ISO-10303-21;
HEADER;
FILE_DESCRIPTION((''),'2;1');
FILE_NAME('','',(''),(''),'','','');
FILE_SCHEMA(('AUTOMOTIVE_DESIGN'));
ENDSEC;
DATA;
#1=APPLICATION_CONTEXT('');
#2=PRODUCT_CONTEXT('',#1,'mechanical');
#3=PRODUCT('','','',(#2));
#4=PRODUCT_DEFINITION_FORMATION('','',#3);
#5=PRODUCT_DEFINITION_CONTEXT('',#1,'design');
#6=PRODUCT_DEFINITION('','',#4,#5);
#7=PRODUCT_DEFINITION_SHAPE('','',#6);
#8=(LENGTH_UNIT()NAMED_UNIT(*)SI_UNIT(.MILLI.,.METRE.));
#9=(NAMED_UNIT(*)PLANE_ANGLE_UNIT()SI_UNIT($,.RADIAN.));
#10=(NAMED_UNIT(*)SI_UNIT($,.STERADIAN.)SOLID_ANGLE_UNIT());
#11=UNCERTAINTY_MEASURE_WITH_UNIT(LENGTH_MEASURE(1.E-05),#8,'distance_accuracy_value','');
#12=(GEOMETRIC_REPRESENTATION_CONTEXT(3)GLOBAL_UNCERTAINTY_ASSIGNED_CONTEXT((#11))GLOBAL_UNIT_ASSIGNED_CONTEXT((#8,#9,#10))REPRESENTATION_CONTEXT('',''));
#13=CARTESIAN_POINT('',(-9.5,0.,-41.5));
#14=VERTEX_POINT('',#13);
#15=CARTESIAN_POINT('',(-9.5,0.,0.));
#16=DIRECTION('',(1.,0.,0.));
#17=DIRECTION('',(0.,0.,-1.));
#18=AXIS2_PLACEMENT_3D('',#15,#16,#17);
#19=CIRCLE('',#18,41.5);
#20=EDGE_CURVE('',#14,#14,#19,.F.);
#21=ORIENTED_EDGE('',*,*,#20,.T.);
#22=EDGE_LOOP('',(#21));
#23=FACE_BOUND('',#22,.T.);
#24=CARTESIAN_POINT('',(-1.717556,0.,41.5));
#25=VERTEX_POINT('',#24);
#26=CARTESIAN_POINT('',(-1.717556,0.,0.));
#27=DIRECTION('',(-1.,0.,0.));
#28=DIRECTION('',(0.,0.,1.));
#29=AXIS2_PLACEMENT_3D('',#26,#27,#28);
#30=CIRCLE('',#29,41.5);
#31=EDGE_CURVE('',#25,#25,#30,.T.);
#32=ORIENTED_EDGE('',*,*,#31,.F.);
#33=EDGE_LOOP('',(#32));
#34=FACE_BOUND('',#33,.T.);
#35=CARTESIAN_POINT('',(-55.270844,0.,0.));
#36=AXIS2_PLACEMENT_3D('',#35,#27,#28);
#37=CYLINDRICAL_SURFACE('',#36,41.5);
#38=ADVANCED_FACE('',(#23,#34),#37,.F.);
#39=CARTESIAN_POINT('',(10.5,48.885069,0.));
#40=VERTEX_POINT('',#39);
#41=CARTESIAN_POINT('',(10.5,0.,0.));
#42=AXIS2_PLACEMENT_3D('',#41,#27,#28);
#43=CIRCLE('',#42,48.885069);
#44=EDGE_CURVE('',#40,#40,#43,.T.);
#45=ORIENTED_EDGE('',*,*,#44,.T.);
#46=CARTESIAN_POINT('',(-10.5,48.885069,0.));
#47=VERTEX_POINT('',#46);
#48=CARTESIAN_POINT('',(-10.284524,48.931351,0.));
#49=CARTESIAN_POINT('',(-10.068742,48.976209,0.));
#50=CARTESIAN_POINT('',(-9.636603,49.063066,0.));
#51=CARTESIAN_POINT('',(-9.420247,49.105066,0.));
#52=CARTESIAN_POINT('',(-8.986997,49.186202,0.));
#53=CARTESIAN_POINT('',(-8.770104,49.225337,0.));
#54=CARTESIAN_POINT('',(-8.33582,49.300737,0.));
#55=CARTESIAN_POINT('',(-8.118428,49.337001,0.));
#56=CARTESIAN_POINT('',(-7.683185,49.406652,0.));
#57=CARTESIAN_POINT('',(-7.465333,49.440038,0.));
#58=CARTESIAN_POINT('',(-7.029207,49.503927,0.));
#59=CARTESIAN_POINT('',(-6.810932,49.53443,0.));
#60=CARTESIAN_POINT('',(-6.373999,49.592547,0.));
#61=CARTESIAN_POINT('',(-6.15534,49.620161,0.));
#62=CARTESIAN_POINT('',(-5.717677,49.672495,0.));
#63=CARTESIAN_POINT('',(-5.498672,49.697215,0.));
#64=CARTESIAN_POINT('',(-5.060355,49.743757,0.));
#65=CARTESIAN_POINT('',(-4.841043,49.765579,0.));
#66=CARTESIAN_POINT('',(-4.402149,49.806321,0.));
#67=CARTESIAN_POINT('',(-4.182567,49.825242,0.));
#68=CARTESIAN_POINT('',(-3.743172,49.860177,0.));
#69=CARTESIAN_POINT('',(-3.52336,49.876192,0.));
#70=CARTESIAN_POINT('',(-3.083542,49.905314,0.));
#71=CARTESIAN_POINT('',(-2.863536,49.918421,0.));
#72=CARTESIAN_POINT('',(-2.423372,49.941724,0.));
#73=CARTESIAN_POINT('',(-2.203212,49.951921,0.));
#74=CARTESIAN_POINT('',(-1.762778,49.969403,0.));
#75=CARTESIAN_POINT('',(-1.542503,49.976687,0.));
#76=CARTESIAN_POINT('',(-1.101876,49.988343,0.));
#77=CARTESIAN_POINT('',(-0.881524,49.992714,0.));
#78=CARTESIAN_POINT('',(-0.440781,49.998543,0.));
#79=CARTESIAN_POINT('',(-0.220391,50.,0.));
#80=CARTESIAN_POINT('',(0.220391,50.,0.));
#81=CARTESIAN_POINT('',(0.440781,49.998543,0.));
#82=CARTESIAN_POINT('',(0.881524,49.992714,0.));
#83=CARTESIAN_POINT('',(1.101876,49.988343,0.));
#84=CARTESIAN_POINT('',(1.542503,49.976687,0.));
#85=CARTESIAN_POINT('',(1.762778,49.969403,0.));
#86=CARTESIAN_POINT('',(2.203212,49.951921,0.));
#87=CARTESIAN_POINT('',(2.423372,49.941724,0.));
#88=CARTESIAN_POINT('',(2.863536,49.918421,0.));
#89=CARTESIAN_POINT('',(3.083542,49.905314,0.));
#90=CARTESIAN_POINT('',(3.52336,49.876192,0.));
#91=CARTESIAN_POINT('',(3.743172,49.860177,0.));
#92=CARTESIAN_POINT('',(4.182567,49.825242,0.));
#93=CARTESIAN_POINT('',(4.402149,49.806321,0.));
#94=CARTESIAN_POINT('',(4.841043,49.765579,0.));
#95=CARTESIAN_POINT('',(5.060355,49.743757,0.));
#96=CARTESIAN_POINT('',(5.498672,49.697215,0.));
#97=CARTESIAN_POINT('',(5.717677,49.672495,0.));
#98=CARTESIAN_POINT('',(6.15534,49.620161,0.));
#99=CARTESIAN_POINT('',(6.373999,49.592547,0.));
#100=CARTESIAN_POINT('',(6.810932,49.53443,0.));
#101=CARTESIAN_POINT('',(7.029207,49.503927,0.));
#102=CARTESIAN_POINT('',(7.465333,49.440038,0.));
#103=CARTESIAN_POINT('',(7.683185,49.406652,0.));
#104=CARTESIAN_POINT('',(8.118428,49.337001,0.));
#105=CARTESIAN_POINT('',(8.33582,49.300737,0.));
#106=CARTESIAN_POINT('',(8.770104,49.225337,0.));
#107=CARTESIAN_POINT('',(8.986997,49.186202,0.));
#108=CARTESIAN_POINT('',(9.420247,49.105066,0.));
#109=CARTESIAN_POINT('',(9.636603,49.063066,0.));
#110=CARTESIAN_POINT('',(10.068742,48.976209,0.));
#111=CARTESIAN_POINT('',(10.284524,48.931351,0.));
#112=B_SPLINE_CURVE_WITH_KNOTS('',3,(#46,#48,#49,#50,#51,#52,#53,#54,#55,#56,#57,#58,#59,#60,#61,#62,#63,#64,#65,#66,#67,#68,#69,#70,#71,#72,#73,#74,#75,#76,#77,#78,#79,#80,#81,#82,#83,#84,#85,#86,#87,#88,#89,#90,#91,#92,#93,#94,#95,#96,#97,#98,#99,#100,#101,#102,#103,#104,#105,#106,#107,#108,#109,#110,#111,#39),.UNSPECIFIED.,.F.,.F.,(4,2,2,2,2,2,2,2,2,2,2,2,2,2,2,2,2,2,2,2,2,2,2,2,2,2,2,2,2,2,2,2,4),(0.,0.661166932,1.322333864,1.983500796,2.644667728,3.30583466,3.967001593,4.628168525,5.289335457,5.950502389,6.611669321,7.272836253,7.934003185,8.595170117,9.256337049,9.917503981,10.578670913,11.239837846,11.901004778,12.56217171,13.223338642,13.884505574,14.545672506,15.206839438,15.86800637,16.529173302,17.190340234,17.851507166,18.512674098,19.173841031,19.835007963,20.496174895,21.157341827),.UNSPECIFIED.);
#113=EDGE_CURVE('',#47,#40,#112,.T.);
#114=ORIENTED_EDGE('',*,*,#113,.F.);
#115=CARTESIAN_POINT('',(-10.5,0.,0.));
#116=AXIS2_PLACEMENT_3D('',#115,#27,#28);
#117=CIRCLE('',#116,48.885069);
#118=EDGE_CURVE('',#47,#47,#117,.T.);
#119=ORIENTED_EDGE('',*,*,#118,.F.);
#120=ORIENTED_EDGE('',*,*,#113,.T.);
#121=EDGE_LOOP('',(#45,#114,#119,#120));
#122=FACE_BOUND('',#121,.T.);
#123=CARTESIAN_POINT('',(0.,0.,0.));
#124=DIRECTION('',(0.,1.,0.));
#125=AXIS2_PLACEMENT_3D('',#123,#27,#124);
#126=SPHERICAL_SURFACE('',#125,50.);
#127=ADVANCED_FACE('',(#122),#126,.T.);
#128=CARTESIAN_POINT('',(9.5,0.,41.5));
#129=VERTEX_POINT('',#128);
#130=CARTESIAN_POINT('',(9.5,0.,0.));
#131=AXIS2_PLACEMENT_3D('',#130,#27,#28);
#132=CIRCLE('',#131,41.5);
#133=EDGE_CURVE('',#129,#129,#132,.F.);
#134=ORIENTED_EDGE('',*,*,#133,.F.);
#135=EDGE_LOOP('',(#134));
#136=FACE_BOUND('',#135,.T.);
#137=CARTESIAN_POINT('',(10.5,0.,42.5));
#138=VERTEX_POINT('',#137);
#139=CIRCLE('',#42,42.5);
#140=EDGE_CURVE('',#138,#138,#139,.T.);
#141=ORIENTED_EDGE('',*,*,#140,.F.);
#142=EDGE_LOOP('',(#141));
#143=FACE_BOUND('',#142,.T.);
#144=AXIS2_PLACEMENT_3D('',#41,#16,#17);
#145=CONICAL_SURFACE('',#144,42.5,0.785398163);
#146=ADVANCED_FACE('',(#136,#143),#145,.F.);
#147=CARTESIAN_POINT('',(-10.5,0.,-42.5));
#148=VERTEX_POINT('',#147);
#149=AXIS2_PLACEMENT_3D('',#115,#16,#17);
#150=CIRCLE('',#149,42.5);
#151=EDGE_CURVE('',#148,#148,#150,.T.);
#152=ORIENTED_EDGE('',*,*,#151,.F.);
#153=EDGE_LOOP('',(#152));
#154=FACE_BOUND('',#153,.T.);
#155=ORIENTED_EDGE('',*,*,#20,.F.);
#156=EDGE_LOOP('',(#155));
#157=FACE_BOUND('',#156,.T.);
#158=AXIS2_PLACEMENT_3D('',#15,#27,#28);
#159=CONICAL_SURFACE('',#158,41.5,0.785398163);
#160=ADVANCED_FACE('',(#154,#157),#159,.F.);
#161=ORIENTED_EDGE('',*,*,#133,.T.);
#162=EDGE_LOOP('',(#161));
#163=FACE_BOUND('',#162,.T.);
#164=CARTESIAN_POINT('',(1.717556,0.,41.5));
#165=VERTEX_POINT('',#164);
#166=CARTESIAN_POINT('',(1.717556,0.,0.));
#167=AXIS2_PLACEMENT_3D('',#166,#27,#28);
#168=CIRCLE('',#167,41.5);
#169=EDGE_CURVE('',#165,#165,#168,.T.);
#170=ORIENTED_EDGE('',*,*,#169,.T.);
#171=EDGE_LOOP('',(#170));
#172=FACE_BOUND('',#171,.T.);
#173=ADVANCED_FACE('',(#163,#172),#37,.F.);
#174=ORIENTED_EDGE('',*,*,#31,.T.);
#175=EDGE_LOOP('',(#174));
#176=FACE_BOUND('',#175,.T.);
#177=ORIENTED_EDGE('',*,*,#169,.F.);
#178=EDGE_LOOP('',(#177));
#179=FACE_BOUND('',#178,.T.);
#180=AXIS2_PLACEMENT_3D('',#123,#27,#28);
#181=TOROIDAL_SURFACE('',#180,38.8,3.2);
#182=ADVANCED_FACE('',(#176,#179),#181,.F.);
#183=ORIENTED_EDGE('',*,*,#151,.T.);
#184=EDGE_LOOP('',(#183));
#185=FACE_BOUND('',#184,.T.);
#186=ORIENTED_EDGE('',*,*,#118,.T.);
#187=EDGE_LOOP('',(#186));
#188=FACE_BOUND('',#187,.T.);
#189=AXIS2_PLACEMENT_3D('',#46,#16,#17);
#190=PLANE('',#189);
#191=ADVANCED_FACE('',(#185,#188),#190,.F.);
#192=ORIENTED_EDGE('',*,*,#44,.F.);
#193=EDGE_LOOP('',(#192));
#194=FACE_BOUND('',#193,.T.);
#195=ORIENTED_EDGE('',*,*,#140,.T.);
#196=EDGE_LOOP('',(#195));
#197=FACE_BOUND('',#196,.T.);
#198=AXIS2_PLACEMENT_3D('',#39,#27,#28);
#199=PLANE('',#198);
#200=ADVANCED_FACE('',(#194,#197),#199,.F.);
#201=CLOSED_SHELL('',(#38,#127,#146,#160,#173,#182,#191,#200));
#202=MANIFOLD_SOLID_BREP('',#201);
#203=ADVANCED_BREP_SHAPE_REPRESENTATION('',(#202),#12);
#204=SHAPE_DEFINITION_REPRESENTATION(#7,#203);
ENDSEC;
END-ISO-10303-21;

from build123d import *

# Parameters (mm, degrees)
CHAMFER_1_SIZE = 1


with BuildPart() as part:
    # 草图1 → 旋转1 (revolve)
    with BuildSketch(Plane.XY, mode=Mode.PRIVATE) as revolve_1_sk:
        with BuildLine():
            Line((-10.5, 41.5), (-1.717556404, 41.5))
            ThreePointArc((-1.717556404, 41.5), (0, 42), (1.717556404, 41.5))
            Line((1.717556404, 41.5), (10.5, 41.5))
            Line((10.5, 41.5), (10.5, 48.885069295))
            ThreePointArc((10.5, 48.885069295), (0, 50), (-10.5, 48.885069295))
            Line((-10.5, 48.885069295), (-10.5, 41.5))
        make_face()
    revolve(revolve_1_sk.sketch.rotate(Axis((-55.270843916, 0, 0), (1, 0, 0)), 90), axis=Axis((-55.270843916, 0, 0), (1, 0, 0)))

    # 倒角1
    chamfer_1_edges = [part.edges().sort_by_distance(p)[0] for p in [
        (10.5, 0, -41.5),
        (-10.5, 0, -41.5),
    ]]
    chamfer(chamfer_1_edges, length=CHAMFER_1_SIZE)


solid = part.part
